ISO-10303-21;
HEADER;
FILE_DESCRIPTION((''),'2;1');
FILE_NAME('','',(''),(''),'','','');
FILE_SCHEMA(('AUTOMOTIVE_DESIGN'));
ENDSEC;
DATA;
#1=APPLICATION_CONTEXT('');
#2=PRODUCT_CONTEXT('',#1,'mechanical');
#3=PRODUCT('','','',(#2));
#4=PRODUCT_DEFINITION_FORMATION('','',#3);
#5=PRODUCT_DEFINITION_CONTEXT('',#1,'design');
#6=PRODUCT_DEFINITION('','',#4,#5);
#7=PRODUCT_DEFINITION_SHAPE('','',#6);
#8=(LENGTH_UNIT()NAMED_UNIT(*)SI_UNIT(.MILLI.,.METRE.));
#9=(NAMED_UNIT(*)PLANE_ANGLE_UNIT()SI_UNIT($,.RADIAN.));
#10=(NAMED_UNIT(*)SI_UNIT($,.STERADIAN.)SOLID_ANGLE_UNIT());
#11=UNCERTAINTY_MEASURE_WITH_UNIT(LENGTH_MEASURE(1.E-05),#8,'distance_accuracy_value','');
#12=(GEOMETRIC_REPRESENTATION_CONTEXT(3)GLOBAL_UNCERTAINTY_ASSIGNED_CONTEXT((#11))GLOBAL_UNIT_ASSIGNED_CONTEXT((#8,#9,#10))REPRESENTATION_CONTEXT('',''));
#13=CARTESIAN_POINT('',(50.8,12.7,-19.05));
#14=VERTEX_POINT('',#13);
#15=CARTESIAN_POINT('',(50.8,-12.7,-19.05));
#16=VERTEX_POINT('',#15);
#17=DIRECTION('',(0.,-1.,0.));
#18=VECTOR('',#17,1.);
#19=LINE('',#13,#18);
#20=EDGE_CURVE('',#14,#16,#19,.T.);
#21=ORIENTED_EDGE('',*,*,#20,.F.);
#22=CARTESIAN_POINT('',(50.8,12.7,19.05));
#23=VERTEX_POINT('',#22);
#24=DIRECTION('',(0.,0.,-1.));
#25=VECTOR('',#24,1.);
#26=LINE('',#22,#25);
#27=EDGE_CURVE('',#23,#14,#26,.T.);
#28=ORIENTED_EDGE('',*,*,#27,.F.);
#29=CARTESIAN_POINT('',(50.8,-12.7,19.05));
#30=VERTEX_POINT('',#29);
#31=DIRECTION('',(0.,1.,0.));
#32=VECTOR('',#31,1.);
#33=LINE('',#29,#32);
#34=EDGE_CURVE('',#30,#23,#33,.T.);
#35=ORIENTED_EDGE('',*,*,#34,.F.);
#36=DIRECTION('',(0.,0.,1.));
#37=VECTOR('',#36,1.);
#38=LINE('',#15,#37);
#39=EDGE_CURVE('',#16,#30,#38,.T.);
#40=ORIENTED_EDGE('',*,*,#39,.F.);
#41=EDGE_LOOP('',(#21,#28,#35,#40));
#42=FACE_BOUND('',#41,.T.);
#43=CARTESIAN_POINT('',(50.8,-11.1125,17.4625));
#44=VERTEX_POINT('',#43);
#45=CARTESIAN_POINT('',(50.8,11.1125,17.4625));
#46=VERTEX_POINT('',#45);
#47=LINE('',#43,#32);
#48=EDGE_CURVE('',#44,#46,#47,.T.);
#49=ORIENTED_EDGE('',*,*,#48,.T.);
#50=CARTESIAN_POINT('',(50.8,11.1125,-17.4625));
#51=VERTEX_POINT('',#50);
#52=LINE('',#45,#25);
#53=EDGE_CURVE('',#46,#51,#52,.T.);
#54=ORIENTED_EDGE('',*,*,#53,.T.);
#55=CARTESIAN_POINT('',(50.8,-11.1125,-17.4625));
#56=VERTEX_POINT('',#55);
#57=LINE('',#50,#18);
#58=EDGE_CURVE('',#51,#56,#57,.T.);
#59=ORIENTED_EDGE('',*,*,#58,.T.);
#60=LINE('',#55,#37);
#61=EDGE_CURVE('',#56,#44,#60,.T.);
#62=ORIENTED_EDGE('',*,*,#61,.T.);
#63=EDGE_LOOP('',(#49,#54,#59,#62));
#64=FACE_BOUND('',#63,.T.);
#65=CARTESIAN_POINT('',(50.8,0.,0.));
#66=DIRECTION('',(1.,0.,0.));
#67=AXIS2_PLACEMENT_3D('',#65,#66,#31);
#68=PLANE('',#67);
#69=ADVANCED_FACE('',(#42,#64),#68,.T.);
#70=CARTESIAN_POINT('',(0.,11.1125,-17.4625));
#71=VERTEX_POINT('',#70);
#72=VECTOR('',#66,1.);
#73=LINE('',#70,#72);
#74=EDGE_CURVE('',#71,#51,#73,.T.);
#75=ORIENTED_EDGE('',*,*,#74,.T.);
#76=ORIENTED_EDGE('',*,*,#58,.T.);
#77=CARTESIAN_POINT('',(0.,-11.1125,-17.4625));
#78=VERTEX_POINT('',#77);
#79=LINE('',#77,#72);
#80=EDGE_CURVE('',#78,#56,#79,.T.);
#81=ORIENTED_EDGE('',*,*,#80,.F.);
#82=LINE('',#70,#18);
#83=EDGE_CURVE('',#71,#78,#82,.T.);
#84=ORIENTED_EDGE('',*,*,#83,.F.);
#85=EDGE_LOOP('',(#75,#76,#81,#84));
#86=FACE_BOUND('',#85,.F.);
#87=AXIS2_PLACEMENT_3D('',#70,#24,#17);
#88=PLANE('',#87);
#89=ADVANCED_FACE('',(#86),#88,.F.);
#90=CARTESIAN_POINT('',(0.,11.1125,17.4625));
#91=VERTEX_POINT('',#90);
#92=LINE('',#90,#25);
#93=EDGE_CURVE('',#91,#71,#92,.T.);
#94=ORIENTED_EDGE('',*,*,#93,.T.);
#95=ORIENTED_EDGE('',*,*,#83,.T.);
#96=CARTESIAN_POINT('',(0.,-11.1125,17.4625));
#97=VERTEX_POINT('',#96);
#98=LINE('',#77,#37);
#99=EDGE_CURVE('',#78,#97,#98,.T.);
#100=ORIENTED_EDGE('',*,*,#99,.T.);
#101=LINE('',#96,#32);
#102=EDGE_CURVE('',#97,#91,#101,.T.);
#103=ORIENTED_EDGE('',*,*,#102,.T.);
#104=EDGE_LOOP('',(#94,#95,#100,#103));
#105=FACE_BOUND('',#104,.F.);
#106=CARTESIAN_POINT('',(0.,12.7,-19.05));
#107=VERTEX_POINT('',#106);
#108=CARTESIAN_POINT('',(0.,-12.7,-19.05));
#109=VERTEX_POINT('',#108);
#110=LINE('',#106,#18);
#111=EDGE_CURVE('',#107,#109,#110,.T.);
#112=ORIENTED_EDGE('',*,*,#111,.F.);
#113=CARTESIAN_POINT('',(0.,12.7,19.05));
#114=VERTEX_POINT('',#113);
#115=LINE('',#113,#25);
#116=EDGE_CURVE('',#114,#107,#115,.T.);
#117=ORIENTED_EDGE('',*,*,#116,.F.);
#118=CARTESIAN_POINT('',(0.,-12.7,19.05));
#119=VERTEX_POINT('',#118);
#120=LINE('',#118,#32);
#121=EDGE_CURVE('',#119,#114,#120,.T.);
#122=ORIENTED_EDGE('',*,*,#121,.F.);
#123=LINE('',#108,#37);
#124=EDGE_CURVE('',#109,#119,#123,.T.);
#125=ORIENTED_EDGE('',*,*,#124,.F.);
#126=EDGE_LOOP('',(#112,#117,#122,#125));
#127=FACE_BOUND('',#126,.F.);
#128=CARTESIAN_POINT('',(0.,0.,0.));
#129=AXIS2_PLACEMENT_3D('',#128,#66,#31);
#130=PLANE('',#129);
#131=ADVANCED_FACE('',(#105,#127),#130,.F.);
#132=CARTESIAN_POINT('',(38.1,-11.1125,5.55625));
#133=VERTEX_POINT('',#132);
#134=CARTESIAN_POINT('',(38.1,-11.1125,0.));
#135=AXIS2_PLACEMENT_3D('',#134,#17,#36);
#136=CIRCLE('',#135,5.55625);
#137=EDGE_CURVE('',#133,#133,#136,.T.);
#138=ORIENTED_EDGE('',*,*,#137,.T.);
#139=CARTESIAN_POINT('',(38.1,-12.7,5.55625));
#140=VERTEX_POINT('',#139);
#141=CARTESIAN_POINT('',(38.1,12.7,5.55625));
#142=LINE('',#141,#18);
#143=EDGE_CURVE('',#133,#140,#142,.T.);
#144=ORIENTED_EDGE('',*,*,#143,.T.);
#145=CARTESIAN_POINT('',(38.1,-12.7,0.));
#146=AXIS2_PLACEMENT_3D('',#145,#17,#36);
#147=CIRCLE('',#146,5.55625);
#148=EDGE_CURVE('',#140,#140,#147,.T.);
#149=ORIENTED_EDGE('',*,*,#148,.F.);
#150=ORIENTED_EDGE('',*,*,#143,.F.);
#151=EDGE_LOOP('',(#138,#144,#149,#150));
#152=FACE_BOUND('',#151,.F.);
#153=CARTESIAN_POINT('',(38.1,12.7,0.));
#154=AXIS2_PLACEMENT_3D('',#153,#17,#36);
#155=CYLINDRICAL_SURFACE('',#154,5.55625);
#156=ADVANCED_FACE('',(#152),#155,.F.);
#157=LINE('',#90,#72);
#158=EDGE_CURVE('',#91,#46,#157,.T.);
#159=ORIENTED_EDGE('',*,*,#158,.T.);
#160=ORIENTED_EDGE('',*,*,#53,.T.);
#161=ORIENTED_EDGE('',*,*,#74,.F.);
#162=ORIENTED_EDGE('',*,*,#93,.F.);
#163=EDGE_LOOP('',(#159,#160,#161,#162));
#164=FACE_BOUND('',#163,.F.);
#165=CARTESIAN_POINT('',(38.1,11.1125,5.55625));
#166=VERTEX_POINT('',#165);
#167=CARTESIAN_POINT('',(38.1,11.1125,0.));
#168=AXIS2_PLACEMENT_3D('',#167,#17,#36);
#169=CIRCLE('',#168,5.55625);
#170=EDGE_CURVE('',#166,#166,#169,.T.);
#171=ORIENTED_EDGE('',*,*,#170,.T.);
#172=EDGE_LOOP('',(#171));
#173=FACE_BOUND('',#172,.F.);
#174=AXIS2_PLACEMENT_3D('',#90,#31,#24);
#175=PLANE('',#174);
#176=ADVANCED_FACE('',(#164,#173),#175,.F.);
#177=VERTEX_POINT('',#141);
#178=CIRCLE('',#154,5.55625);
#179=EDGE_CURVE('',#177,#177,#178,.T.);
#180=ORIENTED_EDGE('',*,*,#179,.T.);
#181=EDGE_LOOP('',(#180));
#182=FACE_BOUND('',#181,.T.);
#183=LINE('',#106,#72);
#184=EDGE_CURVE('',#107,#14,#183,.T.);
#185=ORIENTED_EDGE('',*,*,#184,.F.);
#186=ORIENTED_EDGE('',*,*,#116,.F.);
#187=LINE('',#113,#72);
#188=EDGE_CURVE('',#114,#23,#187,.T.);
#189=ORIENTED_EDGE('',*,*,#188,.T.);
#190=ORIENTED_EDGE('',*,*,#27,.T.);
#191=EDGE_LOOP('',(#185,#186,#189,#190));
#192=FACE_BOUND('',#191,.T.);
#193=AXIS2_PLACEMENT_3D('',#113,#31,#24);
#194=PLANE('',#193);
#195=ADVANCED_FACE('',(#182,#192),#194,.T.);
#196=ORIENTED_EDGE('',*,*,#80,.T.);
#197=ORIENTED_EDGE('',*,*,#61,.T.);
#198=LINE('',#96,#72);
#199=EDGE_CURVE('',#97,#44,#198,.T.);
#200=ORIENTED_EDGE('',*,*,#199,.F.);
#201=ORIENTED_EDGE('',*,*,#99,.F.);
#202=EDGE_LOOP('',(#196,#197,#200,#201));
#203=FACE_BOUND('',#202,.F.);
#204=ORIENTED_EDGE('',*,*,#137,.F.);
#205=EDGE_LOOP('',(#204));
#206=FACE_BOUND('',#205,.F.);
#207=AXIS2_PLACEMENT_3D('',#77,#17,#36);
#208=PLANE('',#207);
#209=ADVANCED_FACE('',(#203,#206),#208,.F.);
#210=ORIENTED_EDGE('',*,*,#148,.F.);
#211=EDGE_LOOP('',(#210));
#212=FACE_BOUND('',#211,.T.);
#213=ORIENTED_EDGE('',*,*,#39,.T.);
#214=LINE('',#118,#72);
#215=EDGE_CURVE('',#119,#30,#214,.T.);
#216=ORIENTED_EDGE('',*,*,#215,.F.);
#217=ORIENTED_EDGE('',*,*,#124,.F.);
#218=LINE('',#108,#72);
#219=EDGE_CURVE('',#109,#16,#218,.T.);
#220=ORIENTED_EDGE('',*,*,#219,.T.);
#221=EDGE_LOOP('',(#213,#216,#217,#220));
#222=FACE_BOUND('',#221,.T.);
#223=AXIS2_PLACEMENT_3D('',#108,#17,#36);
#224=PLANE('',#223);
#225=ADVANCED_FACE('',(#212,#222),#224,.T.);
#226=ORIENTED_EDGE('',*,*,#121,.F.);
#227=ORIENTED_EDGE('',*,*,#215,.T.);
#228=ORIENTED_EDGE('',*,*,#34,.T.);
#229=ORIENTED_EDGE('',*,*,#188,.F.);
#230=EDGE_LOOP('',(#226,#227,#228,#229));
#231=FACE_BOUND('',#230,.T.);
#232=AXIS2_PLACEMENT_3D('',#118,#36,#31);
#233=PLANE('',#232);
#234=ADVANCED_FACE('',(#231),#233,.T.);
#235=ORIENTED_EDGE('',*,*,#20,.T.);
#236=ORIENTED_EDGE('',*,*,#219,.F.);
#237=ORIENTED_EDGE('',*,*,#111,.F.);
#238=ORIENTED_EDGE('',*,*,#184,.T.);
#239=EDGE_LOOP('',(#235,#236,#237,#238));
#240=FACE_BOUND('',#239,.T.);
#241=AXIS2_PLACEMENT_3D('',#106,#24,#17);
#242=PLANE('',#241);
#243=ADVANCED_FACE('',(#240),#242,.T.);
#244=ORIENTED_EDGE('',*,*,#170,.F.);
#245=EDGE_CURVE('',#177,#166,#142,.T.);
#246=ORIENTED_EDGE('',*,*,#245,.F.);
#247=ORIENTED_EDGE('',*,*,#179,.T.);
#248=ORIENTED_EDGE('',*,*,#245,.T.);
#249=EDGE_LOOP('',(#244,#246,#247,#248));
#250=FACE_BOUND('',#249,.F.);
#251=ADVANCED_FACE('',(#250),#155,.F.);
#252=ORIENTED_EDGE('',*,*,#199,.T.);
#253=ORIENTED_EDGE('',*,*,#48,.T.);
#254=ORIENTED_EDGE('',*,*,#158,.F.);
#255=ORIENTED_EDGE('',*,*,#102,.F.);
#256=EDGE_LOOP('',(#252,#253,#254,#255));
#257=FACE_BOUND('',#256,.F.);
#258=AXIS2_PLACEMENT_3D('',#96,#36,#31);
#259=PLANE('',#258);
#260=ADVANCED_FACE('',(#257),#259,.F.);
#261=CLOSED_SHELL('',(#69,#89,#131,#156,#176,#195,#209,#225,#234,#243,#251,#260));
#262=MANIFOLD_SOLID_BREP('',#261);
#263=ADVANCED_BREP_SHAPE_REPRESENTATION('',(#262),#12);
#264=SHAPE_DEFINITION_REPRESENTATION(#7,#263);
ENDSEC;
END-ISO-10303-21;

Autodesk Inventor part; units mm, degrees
ref_plane "Work Plane3" through (0, 12.7, 0) normal (0, 1, 0) x (-1, 0, 0)
ref_plane "Start Plane" through (0, 0, 0) normal (1, 0, 0) x (0, 1, 0)
ref_plane "End Plane" through (50.8, 0, 0) normal (1, 0, 0) x (0, 1, 0)
sketch "Sketch" plane through (0, 0, 0) normal (1, 0, 0) x (0, 1, 0)
  line L0 (-12.7, 19.05) -> (12.7, 19.05)
  line L1 (12.7, 19.05) -> (12.7, -19.05)
  line L2 (12.7, -19.05) -> (-12.7, -19.05)
  line L3 (-12.7, -19.05) -> (-12.7, 19.05)
  line L4 (-12.7, 19.05) -> (12.7, -19.05) construction
  line L5 (12.7, 19.05) -> (-12.7, -19.05) construction
  line L6 (-11.1125, 17.4625) -> (11.1125, 17.4625)
  line L7 (11.1125, 17.4625) -> (11.1125, -17.4625)
  line L8 (11.1125, -17.4625) -> (-11.1125, -17.4625)
  line L9 (-11.1125, -17.4625) -> (-11.1125, 17.4625)
  line L10 (-11.1125, 17.4625) -> (11.1125, -17.4625) construction
  line L11 (11.1125, 17.4625) -> (-11.1125, -17.4625) construction
  point P0 (0, 0)
  dimension "d0" = 38.1
  dimension "d1" = 25.4
  dimension "d2" = 1.5875
  dimension "d3" = 1.5875
extrude "Body" add sketch "Sketch" along normal up to surface (50.8 mm away) from surface at 0
sketch "Sketch8" plane through (0, 0, 0) normal (1, 0, 0) x (0, 1, 0)
  line L0 (0, 0) -> (10, 0)
ref_plane "Work Plane6" through (0, 0, 0) normal (0, 0, -1) x (0, 1, 0)
sketch "Sketch9" plane through (0, 0, 0) normal (0, 0, -1) x (0, 1, 0)
  line L0 (-17.78, 0) -> (17.78, 0)
  line L1 (-17.78, 50.8) -> (17.78, 50.8)
  dimension "d21" = 50.8
sketch "Sketch5" plane through (0, 12.7, -19.05) normal (0, 1, 0) x (1, 0, 0)
  line L0 (0, -38.1) -> (0, 0) projected
  point P0 (0, -19.05)
  point P1 (38.1, -19.05)
  dimension "d22" = 38.1
hole "Hole2" at (38.1, 12.7, 0) direction (0, -1, 0) diameter 11.1125 end through all
equation "\"d3\" = d2"
equation "\"G_OFFSET_START\" = 0"
equation "\"G_OFFSET_END\" = 0"
equation "\"d17\" = d4 + G_OFFSET_END"
equation "\"G_L\" = d21"
equation "\"d4\" = 50.8"
properties part number "1606067191933"
